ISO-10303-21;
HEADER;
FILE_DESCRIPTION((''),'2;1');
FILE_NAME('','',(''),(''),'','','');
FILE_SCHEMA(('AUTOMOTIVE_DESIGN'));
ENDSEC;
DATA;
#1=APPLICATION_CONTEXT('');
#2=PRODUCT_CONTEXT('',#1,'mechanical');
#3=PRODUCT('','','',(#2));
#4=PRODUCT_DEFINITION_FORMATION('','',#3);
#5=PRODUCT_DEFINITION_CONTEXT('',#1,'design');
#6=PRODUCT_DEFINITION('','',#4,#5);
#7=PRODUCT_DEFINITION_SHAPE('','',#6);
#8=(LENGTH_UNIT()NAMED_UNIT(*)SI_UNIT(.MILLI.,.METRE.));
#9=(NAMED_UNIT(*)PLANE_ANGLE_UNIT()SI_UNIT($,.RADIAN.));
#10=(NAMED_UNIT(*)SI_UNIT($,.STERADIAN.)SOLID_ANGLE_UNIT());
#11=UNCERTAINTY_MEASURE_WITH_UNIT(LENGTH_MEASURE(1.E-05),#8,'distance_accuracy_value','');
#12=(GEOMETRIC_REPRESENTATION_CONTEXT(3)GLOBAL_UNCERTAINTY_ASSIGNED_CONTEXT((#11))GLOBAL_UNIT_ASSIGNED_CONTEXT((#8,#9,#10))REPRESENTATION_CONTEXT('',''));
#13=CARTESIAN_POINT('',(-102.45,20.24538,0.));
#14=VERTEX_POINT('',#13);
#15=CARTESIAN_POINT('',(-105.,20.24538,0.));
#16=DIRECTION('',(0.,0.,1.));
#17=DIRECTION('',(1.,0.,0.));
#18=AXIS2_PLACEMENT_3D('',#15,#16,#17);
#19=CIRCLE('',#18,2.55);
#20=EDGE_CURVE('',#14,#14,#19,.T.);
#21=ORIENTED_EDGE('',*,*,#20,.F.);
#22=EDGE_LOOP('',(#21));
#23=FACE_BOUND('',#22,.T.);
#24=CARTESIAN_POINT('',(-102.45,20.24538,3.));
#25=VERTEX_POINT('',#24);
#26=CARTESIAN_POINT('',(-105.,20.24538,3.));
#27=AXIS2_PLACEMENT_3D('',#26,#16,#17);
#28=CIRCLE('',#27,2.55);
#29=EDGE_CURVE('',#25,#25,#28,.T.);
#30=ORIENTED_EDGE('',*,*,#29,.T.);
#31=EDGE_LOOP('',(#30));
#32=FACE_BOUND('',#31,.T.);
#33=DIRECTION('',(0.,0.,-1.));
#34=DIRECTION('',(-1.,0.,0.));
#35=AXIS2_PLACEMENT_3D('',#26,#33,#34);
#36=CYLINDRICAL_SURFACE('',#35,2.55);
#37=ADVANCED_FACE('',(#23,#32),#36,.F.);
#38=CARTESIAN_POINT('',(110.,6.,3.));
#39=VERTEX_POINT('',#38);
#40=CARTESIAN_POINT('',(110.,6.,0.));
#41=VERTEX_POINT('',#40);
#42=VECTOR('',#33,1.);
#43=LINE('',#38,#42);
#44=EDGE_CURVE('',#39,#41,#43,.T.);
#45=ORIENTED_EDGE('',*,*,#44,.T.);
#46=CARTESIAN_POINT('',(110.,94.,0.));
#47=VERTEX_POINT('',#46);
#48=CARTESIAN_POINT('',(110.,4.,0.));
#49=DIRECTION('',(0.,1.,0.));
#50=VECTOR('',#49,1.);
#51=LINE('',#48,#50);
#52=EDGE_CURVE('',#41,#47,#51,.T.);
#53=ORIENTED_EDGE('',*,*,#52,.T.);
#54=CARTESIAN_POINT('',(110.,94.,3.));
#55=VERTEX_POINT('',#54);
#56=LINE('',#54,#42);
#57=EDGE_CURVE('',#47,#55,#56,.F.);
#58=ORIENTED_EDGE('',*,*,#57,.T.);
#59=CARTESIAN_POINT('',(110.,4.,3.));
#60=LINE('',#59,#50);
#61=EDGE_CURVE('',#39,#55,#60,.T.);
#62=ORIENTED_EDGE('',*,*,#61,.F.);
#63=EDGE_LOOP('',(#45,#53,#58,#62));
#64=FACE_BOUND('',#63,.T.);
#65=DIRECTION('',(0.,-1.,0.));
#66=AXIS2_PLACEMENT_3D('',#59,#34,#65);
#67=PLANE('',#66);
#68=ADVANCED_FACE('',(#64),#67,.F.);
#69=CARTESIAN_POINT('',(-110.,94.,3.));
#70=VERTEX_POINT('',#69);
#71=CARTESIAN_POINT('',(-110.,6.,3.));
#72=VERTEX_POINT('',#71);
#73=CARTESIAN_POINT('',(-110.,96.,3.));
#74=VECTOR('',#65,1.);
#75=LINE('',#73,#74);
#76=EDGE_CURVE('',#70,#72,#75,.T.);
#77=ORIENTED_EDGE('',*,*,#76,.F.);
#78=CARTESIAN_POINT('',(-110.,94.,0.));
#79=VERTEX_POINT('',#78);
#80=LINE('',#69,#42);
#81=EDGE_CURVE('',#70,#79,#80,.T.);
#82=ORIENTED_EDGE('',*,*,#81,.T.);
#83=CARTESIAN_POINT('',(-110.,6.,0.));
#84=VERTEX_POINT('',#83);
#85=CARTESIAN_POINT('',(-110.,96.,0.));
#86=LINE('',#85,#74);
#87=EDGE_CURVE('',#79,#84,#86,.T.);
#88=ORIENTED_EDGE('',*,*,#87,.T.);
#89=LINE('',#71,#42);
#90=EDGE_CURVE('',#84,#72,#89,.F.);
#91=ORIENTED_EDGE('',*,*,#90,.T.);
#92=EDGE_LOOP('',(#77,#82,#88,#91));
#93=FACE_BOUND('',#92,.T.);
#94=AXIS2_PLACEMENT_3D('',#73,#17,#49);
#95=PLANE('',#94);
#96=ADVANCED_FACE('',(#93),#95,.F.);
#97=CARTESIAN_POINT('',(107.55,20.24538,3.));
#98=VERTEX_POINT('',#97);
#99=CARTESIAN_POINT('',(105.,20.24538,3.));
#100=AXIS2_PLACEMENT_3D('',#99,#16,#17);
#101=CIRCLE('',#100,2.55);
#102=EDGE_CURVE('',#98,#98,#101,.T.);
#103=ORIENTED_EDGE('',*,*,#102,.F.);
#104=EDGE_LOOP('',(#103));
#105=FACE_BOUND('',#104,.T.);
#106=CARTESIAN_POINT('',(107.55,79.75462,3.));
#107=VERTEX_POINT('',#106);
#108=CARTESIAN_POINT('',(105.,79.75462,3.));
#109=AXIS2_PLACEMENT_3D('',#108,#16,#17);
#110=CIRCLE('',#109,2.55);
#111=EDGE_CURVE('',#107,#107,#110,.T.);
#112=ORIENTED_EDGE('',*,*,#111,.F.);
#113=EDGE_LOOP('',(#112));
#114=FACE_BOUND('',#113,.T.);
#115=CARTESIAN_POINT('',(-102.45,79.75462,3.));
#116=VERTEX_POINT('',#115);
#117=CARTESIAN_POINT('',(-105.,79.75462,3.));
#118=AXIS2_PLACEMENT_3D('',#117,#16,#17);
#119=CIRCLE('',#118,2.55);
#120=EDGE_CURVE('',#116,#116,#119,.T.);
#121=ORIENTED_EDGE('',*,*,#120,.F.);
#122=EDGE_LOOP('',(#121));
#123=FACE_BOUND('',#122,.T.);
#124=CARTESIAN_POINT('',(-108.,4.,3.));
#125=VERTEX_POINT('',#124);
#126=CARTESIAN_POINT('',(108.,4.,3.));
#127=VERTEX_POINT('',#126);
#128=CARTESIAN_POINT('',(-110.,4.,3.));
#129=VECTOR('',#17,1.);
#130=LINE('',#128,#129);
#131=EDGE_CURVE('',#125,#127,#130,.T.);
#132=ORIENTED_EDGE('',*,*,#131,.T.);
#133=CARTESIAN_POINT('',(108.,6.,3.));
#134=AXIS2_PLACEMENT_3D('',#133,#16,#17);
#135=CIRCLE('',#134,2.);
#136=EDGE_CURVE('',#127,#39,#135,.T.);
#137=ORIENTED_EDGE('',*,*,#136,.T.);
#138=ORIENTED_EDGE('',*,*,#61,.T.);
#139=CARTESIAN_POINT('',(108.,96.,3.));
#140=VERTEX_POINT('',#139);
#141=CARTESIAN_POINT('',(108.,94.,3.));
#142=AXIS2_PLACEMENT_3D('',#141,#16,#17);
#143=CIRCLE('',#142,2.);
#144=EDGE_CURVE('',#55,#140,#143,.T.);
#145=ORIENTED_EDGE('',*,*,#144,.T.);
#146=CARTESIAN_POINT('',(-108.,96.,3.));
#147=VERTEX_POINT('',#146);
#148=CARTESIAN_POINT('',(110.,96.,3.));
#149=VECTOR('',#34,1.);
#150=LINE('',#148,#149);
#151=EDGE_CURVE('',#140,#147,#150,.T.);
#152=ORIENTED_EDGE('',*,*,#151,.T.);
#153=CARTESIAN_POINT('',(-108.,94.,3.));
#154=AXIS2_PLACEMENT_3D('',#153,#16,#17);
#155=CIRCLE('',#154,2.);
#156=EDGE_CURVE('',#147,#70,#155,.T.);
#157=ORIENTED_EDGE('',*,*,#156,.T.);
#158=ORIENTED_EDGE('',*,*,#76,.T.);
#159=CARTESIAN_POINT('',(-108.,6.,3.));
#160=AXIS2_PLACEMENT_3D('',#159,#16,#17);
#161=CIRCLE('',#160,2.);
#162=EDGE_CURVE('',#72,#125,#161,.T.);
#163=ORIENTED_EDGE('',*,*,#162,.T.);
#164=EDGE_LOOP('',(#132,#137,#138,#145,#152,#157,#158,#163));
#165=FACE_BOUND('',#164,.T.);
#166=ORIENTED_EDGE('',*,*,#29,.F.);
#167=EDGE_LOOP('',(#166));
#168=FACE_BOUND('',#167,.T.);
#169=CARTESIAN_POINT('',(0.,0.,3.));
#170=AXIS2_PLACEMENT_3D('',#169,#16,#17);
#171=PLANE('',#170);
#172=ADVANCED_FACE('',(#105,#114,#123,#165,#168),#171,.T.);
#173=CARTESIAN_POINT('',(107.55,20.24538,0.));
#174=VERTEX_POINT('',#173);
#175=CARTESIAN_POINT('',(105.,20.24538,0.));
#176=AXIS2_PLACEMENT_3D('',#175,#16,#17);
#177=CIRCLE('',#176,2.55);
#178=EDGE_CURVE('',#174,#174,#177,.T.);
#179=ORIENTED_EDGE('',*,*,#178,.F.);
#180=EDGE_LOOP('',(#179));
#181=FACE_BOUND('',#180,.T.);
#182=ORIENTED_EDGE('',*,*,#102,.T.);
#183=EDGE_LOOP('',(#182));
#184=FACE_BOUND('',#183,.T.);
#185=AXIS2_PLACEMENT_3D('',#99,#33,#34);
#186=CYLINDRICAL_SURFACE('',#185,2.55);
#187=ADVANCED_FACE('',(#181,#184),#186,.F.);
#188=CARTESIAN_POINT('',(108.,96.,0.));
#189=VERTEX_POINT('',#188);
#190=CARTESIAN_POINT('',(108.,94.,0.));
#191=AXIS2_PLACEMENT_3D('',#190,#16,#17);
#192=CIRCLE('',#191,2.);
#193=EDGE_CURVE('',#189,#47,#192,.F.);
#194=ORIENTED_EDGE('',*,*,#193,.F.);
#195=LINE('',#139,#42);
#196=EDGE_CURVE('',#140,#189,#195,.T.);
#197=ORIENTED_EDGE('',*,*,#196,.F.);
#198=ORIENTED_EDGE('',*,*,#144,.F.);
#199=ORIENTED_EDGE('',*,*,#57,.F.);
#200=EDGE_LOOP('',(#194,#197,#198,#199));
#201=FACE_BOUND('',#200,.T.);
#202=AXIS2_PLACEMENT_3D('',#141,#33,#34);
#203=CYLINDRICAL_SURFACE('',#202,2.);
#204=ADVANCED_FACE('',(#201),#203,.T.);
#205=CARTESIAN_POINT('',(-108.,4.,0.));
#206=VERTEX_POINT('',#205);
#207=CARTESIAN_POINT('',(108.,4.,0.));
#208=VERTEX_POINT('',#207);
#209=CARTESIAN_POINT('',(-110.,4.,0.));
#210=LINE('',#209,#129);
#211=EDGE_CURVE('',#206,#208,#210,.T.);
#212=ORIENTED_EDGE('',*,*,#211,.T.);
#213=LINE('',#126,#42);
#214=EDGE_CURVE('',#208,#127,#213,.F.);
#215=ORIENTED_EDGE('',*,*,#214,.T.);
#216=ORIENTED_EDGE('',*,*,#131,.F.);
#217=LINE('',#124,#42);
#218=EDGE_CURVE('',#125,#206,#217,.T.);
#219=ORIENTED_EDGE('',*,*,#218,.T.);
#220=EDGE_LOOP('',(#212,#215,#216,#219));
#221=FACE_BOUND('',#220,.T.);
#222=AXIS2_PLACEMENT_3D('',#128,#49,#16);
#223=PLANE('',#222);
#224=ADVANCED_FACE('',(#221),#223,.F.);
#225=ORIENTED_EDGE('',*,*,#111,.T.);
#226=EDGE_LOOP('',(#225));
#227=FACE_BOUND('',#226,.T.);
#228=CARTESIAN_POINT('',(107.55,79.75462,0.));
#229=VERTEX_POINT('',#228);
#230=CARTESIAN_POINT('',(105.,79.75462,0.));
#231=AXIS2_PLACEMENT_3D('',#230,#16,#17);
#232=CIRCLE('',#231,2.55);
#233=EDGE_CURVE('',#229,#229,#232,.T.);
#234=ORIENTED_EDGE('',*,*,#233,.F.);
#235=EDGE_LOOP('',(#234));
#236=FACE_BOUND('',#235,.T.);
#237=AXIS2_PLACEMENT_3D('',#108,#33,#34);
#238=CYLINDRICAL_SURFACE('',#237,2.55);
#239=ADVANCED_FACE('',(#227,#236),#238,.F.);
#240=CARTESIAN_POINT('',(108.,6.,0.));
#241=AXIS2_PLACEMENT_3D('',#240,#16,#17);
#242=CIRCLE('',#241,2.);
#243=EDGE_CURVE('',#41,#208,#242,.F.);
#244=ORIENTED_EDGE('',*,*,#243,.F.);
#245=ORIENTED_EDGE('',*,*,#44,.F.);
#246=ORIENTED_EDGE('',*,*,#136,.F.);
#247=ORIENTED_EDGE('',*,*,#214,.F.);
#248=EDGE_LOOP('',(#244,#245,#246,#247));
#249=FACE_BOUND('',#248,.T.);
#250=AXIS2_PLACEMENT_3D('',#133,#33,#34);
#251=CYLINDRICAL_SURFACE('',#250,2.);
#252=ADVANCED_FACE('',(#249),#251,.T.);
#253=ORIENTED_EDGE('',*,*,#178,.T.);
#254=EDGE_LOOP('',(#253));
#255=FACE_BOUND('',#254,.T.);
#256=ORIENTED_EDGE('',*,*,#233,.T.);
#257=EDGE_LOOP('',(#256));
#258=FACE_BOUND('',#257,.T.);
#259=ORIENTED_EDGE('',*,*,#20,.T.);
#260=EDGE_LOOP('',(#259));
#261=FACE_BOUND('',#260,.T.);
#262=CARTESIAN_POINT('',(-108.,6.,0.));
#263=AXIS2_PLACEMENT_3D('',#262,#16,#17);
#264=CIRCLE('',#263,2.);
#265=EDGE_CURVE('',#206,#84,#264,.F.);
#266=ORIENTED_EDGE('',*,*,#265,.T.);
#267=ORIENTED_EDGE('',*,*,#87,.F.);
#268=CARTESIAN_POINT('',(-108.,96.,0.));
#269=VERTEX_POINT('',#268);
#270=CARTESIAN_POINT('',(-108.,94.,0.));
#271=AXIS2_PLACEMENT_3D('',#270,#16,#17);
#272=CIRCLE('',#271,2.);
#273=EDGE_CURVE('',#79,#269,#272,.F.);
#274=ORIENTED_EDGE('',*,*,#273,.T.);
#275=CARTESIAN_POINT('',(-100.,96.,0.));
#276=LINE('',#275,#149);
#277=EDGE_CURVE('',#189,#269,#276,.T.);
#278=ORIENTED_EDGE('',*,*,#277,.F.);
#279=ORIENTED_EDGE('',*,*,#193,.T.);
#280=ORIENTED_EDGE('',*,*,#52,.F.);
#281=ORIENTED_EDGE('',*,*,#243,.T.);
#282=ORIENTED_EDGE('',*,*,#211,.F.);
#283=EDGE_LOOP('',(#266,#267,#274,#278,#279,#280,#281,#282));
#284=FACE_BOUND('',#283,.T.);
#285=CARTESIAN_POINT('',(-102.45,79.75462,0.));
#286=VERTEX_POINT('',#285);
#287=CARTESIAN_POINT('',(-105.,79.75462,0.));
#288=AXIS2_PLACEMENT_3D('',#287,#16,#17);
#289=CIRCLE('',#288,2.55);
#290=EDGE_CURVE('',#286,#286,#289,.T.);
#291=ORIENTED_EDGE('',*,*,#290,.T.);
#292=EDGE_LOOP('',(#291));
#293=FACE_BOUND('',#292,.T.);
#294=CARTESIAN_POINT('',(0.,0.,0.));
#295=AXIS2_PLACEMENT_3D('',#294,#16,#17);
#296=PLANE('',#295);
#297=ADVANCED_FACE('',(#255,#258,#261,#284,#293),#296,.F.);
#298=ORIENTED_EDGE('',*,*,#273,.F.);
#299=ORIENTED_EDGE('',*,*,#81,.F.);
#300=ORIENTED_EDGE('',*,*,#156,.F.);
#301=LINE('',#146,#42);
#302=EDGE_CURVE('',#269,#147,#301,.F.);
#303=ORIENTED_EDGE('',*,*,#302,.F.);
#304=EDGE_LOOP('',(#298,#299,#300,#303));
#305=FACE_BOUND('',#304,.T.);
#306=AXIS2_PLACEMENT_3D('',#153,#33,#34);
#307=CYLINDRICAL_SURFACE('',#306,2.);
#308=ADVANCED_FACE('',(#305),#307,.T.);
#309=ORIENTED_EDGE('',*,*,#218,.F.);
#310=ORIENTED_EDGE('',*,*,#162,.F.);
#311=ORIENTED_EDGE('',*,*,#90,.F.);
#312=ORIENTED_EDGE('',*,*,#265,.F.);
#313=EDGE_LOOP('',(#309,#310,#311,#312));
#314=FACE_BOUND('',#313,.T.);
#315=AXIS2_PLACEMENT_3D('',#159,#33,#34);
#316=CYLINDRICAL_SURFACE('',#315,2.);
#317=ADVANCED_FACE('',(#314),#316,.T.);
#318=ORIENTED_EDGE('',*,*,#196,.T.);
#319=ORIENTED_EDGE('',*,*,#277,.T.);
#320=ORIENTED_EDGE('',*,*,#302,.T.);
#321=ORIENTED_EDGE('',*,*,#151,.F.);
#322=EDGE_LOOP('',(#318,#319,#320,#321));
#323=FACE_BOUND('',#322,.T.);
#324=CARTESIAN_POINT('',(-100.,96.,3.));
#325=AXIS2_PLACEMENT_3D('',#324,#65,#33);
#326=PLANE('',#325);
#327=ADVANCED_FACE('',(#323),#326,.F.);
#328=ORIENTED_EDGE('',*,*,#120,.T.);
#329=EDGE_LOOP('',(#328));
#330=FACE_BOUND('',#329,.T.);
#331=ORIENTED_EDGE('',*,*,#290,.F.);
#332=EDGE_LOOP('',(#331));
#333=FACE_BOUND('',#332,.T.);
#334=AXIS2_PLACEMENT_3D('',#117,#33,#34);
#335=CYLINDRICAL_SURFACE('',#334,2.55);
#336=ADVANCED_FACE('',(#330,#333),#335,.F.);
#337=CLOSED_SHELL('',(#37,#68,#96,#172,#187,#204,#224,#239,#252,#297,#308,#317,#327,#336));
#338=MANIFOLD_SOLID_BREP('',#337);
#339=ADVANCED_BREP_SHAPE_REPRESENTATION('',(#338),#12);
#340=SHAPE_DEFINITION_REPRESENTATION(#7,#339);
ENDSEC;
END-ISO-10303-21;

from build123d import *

# Parameters (mm, degrees)
SKETCH1_R           = 2.55
BOSS_EXTRUDE1_DEPTH = 3
FILLET1_R           = 2


with BuildPart() as part:
    # Sketch1 → Boss-Extrude1 (new body)
    with BuildSketch(Plane.XY):
        Polygon((-100, 96), (100, 96), (110, 96), (110, 4), (-110, 4), (-110, 96), align=None)
        with Locations((105, 20.245379956)):
            Circle(SKETCH1_R, mode=Mode.SUBTRACT)
        with Locations((105, 79.754620044)):
            Circle(SKETCH1_R, mode=Mode.SUBTRACT)
        with Locations((-105, 20.245379956)):
            Circle(SKETCH1_R, mode=Mode.SUBTRACT)
        with Locations((-105, 79.754620044)):
            Circle(SKETCH1_R, mode=Mode.SUBTRACT)
    extrude(amount=BOSS_EXTRUDE1_DEPTH)

    # Fillet1
    fillet1_edges = [part.edges().sort_by_distance(p)[0] for p in [
        (110, 4, 1.5),
        (-110, 4, 1.5),
        (-110, 96, 1.5),
        (110, 96, 1.5),
    ]]
    fillet(fillet1_edges, radius=FILLET1_R)


solid = part.part
